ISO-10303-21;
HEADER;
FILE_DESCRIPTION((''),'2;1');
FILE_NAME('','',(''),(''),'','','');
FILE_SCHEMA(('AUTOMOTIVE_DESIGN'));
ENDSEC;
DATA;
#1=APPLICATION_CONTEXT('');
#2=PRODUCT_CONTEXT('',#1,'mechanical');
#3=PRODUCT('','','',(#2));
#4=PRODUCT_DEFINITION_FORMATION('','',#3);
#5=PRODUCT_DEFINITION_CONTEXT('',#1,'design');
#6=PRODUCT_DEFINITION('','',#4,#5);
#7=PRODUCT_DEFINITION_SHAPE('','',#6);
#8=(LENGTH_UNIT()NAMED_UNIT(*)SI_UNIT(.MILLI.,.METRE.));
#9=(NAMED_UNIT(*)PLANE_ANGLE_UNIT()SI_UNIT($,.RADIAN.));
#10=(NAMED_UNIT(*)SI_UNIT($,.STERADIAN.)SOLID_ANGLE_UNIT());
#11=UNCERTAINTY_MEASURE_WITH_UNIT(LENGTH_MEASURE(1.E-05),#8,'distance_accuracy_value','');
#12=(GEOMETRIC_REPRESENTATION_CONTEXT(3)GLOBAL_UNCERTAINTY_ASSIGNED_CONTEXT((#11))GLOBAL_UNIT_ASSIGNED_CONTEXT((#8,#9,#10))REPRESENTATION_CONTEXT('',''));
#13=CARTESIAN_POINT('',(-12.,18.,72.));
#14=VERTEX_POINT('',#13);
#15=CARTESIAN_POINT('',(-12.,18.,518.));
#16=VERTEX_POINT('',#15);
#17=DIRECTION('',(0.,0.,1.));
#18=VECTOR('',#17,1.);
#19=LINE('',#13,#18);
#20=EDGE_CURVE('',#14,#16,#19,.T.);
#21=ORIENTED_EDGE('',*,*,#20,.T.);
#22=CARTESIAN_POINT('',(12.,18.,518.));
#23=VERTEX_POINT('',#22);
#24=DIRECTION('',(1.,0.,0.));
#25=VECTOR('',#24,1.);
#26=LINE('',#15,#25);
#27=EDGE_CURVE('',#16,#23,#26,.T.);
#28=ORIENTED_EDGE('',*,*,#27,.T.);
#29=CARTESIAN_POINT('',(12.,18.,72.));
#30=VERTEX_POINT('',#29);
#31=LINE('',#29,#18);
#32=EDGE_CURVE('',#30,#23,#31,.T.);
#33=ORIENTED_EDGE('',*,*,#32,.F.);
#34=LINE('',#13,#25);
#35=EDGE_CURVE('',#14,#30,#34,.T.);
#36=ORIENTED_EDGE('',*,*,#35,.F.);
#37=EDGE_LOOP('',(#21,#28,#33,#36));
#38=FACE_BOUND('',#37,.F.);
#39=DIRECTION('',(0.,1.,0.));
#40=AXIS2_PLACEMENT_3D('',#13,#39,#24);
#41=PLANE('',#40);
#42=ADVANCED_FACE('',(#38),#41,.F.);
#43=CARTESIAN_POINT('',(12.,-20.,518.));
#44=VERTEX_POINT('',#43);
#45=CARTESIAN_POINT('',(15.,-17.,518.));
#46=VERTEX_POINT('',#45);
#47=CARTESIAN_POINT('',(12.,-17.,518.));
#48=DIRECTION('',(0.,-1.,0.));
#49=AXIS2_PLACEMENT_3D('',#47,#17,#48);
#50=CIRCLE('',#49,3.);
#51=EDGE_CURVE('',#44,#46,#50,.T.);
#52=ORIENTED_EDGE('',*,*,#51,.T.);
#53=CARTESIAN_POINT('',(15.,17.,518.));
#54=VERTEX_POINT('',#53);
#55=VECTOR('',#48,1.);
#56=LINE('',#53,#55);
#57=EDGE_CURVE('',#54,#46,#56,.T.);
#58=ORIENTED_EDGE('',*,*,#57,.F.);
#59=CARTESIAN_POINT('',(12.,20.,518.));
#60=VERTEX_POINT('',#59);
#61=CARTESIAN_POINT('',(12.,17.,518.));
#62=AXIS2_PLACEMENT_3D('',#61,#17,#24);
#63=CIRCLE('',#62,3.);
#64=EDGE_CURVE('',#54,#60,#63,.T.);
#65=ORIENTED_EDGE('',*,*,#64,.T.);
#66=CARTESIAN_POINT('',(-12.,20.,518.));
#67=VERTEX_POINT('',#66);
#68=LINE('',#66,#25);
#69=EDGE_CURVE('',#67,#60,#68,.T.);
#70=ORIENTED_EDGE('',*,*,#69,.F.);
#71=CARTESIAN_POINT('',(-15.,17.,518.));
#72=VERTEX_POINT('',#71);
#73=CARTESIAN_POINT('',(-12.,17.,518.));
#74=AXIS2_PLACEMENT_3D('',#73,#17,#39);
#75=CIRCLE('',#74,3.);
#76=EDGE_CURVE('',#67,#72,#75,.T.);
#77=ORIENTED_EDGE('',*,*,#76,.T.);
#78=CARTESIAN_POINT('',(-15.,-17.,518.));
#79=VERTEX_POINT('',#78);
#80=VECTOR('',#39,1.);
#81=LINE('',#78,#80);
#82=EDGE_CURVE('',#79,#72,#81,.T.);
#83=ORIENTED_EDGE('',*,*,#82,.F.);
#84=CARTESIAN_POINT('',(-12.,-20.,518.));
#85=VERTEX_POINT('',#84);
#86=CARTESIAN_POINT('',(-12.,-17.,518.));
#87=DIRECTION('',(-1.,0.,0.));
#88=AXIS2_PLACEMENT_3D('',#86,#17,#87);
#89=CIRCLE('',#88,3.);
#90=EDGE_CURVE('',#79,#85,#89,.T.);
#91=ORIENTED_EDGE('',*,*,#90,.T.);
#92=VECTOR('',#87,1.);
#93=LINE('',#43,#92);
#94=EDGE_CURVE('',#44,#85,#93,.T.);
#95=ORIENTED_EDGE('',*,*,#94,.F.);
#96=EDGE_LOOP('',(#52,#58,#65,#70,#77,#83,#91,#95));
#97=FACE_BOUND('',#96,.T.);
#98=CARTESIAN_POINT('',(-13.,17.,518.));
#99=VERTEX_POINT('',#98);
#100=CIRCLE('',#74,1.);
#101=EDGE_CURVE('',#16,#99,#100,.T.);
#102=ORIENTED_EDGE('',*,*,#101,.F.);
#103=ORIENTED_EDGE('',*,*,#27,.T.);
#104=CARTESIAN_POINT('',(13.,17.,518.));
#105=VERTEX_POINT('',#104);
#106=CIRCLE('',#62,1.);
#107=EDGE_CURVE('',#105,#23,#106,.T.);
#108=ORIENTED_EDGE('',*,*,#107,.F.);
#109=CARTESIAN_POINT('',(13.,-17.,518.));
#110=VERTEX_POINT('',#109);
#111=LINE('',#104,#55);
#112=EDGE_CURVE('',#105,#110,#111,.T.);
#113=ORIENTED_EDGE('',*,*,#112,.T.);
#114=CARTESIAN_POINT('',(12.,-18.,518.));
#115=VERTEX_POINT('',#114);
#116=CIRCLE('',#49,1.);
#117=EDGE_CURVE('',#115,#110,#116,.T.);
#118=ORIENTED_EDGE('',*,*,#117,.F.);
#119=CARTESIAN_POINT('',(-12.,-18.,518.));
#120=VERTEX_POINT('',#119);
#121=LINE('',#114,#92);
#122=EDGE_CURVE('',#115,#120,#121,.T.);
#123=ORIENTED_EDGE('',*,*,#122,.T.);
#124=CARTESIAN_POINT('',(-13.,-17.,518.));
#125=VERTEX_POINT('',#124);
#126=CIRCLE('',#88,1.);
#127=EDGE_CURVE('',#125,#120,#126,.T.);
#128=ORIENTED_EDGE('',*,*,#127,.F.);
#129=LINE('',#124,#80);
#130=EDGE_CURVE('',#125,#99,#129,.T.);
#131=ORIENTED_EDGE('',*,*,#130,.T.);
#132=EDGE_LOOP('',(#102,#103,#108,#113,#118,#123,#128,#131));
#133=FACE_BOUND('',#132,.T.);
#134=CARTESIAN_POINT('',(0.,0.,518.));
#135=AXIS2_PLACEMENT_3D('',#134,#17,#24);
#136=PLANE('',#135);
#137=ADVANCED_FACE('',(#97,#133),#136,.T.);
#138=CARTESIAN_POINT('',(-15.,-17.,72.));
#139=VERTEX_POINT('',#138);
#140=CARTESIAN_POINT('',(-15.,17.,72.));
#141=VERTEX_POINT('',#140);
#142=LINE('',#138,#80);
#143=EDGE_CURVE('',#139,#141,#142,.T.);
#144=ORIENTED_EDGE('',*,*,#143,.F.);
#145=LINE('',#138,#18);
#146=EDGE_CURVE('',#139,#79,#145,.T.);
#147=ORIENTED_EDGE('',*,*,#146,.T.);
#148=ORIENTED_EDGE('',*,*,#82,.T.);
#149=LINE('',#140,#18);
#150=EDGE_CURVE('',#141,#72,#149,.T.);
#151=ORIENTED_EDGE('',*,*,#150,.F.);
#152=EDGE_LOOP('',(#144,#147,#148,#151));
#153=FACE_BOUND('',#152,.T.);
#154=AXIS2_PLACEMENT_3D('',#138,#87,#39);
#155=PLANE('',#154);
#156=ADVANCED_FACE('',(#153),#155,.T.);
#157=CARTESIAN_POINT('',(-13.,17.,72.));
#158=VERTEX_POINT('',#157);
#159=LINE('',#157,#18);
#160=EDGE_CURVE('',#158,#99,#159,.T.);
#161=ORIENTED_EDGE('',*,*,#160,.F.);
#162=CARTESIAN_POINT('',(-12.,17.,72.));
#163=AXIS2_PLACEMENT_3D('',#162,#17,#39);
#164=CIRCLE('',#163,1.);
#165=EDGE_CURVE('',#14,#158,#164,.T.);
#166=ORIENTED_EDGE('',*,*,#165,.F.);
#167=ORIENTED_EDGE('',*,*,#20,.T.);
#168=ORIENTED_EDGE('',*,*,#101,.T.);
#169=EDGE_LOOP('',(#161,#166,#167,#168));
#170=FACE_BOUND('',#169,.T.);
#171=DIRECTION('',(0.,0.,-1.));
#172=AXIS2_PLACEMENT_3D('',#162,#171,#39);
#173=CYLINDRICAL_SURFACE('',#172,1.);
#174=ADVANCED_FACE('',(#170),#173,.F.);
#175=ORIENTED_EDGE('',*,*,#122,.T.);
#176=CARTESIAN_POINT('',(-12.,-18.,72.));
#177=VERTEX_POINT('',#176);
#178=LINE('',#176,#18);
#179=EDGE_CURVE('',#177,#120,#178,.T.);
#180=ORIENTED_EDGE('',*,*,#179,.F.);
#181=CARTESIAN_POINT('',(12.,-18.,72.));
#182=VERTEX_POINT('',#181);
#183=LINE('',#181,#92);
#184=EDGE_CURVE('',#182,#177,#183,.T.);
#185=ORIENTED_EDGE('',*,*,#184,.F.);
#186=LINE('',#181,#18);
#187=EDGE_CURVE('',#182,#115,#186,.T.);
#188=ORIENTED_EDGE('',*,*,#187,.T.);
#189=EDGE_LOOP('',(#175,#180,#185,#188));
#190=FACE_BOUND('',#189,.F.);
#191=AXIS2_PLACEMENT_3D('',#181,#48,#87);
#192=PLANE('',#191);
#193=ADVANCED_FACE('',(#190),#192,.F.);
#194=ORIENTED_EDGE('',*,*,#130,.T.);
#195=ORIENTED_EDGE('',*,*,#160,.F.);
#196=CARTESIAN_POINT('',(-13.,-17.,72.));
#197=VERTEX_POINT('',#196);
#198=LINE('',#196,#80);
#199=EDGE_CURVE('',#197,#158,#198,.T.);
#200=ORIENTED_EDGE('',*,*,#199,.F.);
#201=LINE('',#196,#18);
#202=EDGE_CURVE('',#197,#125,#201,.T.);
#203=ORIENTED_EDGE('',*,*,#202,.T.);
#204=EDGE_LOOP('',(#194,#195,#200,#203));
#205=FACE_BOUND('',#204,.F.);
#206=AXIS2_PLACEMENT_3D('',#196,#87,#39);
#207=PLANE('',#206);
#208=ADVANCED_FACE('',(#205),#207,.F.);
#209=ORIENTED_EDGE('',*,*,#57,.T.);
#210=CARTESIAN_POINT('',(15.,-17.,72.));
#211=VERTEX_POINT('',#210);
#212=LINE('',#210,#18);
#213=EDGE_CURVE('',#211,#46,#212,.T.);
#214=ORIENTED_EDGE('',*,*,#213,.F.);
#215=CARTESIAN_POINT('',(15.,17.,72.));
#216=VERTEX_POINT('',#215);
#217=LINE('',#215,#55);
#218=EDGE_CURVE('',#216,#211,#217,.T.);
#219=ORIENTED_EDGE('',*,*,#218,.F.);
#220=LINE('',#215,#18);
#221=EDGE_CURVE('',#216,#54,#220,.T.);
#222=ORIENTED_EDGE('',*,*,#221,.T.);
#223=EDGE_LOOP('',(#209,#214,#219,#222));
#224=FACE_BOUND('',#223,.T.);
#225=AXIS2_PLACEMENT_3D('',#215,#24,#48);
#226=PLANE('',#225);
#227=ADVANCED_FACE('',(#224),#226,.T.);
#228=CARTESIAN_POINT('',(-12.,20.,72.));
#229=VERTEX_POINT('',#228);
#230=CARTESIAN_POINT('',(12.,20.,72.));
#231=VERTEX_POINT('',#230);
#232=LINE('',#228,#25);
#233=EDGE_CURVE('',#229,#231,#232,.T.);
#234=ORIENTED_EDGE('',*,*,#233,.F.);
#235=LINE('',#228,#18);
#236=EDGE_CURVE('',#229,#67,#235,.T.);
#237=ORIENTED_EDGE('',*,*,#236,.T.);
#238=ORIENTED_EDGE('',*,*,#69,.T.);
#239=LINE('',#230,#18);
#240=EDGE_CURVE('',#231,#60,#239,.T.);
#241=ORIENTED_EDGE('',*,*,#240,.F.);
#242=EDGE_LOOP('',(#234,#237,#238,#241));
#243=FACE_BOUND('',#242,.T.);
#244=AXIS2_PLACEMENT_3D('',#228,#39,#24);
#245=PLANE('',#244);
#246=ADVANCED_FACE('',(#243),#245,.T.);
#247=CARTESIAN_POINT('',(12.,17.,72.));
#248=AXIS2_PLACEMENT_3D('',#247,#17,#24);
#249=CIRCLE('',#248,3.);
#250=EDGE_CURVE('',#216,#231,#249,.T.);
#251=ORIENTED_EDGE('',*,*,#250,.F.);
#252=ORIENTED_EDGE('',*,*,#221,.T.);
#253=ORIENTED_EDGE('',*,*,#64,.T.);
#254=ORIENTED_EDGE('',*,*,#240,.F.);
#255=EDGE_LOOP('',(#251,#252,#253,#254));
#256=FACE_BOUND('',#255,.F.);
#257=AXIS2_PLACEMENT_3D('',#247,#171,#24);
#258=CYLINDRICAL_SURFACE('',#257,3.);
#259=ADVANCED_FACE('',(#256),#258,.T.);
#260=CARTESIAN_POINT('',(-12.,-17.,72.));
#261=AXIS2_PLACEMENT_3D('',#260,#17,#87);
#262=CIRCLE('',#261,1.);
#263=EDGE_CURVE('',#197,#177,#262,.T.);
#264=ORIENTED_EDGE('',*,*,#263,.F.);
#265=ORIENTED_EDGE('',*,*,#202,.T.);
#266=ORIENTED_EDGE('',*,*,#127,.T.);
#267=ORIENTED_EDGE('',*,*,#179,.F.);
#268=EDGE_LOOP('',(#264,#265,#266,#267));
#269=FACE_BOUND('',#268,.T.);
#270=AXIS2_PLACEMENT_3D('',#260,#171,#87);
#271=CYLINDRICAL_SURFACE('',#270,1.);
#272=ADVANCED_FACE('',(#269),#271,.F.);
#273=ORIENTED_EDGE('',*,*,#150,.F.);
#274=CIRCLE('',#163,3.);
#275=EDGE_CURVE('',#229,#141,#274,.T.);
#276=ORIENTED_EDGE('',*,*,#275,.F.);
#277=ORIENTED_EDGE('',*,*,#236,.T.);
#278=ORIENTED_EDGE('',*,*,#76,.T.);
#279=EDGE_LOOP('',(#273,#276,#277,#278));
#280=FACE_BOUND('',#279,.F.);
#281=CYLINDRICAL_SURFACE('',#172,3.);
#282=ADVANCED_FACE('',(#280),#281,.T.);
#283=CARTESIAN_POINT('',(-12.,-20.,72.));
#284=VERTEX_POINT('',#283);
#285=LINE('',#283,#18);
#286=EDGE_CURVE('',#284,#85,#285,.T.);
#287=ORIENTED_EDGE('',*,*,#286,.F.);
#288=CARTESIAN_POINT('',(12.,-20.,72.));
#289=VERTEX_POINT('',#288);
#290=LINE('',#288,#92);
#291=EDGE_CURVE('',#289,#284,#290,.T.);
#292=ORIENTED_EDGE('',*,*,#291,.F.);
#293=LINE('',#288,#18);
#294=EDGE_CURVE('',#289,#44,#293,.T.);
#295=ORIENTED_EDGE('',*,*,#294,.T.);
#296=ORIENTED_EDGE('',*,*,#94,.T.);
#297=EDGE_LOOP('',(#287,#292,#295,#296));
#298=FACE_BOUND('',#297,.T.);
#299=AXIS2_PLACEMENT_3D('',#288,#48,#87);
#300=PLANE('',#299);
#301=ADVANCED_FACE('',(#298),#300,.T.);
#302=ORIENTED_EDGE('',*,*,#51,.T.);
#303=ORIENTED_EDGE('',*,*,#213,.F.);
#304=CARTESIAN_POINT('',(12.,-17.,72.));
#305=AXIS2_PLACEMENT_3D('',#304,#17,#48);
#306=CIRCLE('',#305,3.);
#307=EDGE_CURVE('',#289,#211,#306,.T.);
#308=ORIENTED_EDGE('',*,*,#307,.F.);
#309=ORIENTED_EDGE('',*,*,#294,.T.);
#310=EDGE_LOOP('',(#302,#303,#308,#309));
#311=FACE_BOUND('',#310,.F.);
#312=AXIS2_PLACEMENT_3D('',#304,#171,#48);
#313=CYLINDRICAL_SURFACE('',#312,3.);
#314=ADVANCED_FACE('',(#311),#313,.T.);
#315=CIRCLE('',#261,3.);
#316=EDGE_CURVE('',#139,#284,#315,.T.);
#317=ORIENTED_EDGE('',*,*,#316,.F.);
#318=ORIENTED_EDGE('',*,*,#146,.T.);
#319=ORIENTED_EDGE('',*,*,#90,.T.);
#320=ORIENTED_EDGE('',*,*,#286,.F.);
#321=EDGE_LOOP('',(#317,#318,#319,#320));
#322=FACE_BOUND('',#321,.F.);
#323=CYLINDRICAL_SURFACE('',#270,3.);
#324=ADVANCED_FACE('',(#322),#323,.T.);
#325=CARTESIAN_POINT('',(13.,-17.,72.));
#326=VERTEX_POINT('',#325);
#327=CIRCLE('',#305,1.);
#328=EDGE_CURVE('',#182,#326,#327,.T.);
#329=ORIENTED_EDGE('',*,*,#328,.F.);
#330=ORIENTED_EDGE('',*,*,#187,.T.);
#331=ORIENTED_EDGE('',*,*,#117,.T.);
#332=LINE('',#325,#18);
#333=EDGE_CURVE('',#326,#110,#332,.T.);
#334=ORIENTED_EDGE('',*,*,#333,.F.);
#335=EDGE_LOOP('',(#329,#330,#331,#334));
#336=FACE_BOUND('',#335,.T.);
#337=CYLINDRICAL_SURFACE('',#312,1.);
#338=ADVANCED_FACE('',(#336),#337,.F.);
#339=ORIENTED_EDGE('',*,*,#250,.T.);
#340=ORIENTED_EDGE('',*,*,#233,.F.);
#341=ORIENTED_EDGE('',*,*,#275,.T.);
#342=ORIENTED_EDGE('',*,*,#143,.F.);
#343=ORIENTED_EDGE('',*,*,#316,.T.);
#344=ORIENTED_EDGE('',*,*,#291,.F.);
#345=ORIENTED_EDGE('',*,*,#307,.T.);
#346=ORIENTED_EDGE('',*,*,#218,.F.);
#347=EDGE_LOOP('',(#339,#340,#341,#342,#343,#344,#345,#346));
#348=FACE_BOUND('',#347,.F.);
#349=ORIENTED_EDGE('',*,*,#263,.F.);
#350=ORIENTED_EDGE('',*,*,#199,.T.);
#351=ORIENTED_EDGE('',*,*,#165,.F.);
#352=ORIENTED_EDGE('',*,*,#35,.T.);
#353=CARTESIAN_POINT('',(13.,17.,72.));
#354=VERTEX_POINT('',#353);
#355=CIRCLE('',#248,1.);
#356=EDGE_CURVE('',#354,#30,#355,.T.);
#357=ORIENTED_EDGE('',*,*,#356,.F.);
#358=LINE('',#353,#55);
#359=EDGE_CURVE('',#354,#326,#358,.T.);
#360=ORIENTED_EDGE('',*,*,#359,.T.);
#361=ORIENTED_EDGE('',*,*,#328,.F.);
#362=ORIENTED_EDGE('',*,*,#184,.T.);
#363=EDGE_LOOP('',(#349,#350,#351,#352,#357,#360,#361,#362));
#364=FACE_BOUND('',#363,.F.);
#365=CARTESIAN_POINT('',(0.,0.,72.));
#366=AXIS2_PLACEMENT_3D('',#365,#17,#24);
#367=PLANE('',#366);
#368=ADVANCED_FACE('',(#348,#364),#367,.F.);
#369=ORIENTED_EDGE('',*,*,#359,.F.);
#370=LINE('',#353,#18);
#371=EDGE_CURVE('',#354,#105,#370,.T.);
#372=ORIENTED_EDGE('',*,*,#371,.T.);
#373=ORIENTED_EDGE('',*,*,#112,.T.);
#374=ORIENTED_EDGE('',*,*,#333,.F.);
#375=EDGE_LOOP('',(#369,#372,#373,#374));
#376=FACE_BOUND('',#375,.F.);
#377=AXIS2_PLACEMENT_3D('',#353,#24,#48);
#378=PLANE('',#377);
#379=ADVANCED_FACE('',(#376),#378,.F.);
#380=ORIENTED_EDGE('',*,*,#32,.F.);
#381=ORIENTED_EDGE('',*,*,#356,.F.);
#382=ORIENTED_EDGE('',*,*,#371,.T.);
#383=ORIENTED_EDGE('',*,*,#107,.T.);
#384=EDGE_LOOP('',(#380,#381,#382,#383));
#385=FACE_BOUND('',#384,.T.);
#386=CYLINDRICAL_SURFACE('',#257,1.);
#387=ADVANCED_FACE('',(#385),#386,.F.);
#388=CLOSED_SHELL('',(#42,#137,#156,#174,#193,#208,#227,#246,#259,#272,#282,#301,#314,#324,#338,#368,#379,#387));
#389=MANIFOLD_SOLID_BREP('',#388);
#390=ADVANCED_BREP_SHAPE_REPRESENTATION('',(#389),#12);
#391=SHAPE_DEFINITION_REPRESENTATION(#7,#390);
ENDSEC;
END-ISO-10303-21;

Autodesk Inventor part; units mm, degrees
ref_plane "Start plane" through (0, 0, 72) normal (0, 0, 1) x (1, 0, 0)
ref_plane "End plane" through (0, 0, 518) normal (0, 0, 1) x (1, 0, 0)
sketch "Sketch" plane through (0, 0, 0) normal (0, 0, 1) x (1, 0, 0)
  line L0 (-15, -17) -> (-15, 17)
  line L1 (-12, 20) -> (12, 20)
  line L2 (15, 17) -> (15, -17)
  line L3 (12, -20) -> (-12, -20)
  arc A0 (-15, -17) -> (-12, -20) centre (-12, -17) ccw
  arc A1 (-12, 20) -> (-15, 17) centre (-12, 17) ccw
  arc A2 (15, 17) -> (12, 20) centre (12, 17) ccw
  arc A3 (12, -20) -> (15, -17) centre (12, -17) ccw
  arc A4 (-12, 18) -> (-13, 17) centre (-12, 17) ccw
  line L4 (-12, 18) -> (12, 18)
  arc A5 (13, 17) -> (12, 18) centre (12, 17) ccw
  line L5 (13, 17) -> (13, -17)
  arc A6 (12, -18) -> (13, -17) centre (12, -17) ccw
  line L6 (12, -18) -> (-12, -18)
  arc A7 (-13, -17) -> (-12, -18) centre (-12, -17) ccw
  line L7 (-13, -17) -> (-13, 17)
  line L8 (0, 28.8698) -> (0, -28.8698) construction
  line L9 (-21.8698, 0) -> (21.8698, 0) construction
  dimension "d7" = 3
  dimension "d10" = 40
  dimension "d11" = 30
  dimension "d12" = 2
  dimension "d15" = 20
  dimension "d16" = 15
extrude "Body" add sketch "Sketch" along normal up to surface (446 mm away) from surface at 72
sketch "Sketch3" plane through (0, 0, 0) normal (0, 0, 1) x (1, 0, 0)
  line L0 (0, 0) -> (10, 0)
ref_plane "Work Plane3" through (0, 0, 0) normal (0, -1, 0) x (1, 0, 0)
sketch "Sketch4" plane through (0, 0, 0) normal (0, -1, 0) x (1, 0, 0)
  line L0 (-2, 72) -> (12, 72)
  line L1 (-2, 518) -> (12, 518)
  dimension "d18" = 446
ref_plane "Work Plane4" through (-1510, -17, 72) normal (0, 0, -1) x (-1, 0, 0)
split "Split1" plane through (-1510, -17, 72) removes the side toward (0, 0, -1)
equation "\"d7\" = G_IR"
equation "\"d10\" = G_H"
equation "\"d11\" = G_W"
equation "\"d12\" = G_T"
equation "\"d15\" = 0.5 * d10"
equation "\"d16\" = 0.5 * d11"
equation "\"d3\" = G_L"
equation "\"G_W\" = 30"
equation "\"G_H\" = 40"
equation "\"G_T\" = 2"
equation "\"G_IR\" = 3"
equation "\"G_L\" = d18"
equation "\"G_OFFSET_START\" = -72"
equation "\"G_OFFSET_END\" = 0"
equation "\"d13\" = -G_OFFSET_START"
equation "\"d14\" = G_OFFSET_END + B_L"
equation "\"B_L\" = 518"
properties part number "UNI EN 10305-5 - 40 x 30 x 2  - 446" material "Steel, Mild"
